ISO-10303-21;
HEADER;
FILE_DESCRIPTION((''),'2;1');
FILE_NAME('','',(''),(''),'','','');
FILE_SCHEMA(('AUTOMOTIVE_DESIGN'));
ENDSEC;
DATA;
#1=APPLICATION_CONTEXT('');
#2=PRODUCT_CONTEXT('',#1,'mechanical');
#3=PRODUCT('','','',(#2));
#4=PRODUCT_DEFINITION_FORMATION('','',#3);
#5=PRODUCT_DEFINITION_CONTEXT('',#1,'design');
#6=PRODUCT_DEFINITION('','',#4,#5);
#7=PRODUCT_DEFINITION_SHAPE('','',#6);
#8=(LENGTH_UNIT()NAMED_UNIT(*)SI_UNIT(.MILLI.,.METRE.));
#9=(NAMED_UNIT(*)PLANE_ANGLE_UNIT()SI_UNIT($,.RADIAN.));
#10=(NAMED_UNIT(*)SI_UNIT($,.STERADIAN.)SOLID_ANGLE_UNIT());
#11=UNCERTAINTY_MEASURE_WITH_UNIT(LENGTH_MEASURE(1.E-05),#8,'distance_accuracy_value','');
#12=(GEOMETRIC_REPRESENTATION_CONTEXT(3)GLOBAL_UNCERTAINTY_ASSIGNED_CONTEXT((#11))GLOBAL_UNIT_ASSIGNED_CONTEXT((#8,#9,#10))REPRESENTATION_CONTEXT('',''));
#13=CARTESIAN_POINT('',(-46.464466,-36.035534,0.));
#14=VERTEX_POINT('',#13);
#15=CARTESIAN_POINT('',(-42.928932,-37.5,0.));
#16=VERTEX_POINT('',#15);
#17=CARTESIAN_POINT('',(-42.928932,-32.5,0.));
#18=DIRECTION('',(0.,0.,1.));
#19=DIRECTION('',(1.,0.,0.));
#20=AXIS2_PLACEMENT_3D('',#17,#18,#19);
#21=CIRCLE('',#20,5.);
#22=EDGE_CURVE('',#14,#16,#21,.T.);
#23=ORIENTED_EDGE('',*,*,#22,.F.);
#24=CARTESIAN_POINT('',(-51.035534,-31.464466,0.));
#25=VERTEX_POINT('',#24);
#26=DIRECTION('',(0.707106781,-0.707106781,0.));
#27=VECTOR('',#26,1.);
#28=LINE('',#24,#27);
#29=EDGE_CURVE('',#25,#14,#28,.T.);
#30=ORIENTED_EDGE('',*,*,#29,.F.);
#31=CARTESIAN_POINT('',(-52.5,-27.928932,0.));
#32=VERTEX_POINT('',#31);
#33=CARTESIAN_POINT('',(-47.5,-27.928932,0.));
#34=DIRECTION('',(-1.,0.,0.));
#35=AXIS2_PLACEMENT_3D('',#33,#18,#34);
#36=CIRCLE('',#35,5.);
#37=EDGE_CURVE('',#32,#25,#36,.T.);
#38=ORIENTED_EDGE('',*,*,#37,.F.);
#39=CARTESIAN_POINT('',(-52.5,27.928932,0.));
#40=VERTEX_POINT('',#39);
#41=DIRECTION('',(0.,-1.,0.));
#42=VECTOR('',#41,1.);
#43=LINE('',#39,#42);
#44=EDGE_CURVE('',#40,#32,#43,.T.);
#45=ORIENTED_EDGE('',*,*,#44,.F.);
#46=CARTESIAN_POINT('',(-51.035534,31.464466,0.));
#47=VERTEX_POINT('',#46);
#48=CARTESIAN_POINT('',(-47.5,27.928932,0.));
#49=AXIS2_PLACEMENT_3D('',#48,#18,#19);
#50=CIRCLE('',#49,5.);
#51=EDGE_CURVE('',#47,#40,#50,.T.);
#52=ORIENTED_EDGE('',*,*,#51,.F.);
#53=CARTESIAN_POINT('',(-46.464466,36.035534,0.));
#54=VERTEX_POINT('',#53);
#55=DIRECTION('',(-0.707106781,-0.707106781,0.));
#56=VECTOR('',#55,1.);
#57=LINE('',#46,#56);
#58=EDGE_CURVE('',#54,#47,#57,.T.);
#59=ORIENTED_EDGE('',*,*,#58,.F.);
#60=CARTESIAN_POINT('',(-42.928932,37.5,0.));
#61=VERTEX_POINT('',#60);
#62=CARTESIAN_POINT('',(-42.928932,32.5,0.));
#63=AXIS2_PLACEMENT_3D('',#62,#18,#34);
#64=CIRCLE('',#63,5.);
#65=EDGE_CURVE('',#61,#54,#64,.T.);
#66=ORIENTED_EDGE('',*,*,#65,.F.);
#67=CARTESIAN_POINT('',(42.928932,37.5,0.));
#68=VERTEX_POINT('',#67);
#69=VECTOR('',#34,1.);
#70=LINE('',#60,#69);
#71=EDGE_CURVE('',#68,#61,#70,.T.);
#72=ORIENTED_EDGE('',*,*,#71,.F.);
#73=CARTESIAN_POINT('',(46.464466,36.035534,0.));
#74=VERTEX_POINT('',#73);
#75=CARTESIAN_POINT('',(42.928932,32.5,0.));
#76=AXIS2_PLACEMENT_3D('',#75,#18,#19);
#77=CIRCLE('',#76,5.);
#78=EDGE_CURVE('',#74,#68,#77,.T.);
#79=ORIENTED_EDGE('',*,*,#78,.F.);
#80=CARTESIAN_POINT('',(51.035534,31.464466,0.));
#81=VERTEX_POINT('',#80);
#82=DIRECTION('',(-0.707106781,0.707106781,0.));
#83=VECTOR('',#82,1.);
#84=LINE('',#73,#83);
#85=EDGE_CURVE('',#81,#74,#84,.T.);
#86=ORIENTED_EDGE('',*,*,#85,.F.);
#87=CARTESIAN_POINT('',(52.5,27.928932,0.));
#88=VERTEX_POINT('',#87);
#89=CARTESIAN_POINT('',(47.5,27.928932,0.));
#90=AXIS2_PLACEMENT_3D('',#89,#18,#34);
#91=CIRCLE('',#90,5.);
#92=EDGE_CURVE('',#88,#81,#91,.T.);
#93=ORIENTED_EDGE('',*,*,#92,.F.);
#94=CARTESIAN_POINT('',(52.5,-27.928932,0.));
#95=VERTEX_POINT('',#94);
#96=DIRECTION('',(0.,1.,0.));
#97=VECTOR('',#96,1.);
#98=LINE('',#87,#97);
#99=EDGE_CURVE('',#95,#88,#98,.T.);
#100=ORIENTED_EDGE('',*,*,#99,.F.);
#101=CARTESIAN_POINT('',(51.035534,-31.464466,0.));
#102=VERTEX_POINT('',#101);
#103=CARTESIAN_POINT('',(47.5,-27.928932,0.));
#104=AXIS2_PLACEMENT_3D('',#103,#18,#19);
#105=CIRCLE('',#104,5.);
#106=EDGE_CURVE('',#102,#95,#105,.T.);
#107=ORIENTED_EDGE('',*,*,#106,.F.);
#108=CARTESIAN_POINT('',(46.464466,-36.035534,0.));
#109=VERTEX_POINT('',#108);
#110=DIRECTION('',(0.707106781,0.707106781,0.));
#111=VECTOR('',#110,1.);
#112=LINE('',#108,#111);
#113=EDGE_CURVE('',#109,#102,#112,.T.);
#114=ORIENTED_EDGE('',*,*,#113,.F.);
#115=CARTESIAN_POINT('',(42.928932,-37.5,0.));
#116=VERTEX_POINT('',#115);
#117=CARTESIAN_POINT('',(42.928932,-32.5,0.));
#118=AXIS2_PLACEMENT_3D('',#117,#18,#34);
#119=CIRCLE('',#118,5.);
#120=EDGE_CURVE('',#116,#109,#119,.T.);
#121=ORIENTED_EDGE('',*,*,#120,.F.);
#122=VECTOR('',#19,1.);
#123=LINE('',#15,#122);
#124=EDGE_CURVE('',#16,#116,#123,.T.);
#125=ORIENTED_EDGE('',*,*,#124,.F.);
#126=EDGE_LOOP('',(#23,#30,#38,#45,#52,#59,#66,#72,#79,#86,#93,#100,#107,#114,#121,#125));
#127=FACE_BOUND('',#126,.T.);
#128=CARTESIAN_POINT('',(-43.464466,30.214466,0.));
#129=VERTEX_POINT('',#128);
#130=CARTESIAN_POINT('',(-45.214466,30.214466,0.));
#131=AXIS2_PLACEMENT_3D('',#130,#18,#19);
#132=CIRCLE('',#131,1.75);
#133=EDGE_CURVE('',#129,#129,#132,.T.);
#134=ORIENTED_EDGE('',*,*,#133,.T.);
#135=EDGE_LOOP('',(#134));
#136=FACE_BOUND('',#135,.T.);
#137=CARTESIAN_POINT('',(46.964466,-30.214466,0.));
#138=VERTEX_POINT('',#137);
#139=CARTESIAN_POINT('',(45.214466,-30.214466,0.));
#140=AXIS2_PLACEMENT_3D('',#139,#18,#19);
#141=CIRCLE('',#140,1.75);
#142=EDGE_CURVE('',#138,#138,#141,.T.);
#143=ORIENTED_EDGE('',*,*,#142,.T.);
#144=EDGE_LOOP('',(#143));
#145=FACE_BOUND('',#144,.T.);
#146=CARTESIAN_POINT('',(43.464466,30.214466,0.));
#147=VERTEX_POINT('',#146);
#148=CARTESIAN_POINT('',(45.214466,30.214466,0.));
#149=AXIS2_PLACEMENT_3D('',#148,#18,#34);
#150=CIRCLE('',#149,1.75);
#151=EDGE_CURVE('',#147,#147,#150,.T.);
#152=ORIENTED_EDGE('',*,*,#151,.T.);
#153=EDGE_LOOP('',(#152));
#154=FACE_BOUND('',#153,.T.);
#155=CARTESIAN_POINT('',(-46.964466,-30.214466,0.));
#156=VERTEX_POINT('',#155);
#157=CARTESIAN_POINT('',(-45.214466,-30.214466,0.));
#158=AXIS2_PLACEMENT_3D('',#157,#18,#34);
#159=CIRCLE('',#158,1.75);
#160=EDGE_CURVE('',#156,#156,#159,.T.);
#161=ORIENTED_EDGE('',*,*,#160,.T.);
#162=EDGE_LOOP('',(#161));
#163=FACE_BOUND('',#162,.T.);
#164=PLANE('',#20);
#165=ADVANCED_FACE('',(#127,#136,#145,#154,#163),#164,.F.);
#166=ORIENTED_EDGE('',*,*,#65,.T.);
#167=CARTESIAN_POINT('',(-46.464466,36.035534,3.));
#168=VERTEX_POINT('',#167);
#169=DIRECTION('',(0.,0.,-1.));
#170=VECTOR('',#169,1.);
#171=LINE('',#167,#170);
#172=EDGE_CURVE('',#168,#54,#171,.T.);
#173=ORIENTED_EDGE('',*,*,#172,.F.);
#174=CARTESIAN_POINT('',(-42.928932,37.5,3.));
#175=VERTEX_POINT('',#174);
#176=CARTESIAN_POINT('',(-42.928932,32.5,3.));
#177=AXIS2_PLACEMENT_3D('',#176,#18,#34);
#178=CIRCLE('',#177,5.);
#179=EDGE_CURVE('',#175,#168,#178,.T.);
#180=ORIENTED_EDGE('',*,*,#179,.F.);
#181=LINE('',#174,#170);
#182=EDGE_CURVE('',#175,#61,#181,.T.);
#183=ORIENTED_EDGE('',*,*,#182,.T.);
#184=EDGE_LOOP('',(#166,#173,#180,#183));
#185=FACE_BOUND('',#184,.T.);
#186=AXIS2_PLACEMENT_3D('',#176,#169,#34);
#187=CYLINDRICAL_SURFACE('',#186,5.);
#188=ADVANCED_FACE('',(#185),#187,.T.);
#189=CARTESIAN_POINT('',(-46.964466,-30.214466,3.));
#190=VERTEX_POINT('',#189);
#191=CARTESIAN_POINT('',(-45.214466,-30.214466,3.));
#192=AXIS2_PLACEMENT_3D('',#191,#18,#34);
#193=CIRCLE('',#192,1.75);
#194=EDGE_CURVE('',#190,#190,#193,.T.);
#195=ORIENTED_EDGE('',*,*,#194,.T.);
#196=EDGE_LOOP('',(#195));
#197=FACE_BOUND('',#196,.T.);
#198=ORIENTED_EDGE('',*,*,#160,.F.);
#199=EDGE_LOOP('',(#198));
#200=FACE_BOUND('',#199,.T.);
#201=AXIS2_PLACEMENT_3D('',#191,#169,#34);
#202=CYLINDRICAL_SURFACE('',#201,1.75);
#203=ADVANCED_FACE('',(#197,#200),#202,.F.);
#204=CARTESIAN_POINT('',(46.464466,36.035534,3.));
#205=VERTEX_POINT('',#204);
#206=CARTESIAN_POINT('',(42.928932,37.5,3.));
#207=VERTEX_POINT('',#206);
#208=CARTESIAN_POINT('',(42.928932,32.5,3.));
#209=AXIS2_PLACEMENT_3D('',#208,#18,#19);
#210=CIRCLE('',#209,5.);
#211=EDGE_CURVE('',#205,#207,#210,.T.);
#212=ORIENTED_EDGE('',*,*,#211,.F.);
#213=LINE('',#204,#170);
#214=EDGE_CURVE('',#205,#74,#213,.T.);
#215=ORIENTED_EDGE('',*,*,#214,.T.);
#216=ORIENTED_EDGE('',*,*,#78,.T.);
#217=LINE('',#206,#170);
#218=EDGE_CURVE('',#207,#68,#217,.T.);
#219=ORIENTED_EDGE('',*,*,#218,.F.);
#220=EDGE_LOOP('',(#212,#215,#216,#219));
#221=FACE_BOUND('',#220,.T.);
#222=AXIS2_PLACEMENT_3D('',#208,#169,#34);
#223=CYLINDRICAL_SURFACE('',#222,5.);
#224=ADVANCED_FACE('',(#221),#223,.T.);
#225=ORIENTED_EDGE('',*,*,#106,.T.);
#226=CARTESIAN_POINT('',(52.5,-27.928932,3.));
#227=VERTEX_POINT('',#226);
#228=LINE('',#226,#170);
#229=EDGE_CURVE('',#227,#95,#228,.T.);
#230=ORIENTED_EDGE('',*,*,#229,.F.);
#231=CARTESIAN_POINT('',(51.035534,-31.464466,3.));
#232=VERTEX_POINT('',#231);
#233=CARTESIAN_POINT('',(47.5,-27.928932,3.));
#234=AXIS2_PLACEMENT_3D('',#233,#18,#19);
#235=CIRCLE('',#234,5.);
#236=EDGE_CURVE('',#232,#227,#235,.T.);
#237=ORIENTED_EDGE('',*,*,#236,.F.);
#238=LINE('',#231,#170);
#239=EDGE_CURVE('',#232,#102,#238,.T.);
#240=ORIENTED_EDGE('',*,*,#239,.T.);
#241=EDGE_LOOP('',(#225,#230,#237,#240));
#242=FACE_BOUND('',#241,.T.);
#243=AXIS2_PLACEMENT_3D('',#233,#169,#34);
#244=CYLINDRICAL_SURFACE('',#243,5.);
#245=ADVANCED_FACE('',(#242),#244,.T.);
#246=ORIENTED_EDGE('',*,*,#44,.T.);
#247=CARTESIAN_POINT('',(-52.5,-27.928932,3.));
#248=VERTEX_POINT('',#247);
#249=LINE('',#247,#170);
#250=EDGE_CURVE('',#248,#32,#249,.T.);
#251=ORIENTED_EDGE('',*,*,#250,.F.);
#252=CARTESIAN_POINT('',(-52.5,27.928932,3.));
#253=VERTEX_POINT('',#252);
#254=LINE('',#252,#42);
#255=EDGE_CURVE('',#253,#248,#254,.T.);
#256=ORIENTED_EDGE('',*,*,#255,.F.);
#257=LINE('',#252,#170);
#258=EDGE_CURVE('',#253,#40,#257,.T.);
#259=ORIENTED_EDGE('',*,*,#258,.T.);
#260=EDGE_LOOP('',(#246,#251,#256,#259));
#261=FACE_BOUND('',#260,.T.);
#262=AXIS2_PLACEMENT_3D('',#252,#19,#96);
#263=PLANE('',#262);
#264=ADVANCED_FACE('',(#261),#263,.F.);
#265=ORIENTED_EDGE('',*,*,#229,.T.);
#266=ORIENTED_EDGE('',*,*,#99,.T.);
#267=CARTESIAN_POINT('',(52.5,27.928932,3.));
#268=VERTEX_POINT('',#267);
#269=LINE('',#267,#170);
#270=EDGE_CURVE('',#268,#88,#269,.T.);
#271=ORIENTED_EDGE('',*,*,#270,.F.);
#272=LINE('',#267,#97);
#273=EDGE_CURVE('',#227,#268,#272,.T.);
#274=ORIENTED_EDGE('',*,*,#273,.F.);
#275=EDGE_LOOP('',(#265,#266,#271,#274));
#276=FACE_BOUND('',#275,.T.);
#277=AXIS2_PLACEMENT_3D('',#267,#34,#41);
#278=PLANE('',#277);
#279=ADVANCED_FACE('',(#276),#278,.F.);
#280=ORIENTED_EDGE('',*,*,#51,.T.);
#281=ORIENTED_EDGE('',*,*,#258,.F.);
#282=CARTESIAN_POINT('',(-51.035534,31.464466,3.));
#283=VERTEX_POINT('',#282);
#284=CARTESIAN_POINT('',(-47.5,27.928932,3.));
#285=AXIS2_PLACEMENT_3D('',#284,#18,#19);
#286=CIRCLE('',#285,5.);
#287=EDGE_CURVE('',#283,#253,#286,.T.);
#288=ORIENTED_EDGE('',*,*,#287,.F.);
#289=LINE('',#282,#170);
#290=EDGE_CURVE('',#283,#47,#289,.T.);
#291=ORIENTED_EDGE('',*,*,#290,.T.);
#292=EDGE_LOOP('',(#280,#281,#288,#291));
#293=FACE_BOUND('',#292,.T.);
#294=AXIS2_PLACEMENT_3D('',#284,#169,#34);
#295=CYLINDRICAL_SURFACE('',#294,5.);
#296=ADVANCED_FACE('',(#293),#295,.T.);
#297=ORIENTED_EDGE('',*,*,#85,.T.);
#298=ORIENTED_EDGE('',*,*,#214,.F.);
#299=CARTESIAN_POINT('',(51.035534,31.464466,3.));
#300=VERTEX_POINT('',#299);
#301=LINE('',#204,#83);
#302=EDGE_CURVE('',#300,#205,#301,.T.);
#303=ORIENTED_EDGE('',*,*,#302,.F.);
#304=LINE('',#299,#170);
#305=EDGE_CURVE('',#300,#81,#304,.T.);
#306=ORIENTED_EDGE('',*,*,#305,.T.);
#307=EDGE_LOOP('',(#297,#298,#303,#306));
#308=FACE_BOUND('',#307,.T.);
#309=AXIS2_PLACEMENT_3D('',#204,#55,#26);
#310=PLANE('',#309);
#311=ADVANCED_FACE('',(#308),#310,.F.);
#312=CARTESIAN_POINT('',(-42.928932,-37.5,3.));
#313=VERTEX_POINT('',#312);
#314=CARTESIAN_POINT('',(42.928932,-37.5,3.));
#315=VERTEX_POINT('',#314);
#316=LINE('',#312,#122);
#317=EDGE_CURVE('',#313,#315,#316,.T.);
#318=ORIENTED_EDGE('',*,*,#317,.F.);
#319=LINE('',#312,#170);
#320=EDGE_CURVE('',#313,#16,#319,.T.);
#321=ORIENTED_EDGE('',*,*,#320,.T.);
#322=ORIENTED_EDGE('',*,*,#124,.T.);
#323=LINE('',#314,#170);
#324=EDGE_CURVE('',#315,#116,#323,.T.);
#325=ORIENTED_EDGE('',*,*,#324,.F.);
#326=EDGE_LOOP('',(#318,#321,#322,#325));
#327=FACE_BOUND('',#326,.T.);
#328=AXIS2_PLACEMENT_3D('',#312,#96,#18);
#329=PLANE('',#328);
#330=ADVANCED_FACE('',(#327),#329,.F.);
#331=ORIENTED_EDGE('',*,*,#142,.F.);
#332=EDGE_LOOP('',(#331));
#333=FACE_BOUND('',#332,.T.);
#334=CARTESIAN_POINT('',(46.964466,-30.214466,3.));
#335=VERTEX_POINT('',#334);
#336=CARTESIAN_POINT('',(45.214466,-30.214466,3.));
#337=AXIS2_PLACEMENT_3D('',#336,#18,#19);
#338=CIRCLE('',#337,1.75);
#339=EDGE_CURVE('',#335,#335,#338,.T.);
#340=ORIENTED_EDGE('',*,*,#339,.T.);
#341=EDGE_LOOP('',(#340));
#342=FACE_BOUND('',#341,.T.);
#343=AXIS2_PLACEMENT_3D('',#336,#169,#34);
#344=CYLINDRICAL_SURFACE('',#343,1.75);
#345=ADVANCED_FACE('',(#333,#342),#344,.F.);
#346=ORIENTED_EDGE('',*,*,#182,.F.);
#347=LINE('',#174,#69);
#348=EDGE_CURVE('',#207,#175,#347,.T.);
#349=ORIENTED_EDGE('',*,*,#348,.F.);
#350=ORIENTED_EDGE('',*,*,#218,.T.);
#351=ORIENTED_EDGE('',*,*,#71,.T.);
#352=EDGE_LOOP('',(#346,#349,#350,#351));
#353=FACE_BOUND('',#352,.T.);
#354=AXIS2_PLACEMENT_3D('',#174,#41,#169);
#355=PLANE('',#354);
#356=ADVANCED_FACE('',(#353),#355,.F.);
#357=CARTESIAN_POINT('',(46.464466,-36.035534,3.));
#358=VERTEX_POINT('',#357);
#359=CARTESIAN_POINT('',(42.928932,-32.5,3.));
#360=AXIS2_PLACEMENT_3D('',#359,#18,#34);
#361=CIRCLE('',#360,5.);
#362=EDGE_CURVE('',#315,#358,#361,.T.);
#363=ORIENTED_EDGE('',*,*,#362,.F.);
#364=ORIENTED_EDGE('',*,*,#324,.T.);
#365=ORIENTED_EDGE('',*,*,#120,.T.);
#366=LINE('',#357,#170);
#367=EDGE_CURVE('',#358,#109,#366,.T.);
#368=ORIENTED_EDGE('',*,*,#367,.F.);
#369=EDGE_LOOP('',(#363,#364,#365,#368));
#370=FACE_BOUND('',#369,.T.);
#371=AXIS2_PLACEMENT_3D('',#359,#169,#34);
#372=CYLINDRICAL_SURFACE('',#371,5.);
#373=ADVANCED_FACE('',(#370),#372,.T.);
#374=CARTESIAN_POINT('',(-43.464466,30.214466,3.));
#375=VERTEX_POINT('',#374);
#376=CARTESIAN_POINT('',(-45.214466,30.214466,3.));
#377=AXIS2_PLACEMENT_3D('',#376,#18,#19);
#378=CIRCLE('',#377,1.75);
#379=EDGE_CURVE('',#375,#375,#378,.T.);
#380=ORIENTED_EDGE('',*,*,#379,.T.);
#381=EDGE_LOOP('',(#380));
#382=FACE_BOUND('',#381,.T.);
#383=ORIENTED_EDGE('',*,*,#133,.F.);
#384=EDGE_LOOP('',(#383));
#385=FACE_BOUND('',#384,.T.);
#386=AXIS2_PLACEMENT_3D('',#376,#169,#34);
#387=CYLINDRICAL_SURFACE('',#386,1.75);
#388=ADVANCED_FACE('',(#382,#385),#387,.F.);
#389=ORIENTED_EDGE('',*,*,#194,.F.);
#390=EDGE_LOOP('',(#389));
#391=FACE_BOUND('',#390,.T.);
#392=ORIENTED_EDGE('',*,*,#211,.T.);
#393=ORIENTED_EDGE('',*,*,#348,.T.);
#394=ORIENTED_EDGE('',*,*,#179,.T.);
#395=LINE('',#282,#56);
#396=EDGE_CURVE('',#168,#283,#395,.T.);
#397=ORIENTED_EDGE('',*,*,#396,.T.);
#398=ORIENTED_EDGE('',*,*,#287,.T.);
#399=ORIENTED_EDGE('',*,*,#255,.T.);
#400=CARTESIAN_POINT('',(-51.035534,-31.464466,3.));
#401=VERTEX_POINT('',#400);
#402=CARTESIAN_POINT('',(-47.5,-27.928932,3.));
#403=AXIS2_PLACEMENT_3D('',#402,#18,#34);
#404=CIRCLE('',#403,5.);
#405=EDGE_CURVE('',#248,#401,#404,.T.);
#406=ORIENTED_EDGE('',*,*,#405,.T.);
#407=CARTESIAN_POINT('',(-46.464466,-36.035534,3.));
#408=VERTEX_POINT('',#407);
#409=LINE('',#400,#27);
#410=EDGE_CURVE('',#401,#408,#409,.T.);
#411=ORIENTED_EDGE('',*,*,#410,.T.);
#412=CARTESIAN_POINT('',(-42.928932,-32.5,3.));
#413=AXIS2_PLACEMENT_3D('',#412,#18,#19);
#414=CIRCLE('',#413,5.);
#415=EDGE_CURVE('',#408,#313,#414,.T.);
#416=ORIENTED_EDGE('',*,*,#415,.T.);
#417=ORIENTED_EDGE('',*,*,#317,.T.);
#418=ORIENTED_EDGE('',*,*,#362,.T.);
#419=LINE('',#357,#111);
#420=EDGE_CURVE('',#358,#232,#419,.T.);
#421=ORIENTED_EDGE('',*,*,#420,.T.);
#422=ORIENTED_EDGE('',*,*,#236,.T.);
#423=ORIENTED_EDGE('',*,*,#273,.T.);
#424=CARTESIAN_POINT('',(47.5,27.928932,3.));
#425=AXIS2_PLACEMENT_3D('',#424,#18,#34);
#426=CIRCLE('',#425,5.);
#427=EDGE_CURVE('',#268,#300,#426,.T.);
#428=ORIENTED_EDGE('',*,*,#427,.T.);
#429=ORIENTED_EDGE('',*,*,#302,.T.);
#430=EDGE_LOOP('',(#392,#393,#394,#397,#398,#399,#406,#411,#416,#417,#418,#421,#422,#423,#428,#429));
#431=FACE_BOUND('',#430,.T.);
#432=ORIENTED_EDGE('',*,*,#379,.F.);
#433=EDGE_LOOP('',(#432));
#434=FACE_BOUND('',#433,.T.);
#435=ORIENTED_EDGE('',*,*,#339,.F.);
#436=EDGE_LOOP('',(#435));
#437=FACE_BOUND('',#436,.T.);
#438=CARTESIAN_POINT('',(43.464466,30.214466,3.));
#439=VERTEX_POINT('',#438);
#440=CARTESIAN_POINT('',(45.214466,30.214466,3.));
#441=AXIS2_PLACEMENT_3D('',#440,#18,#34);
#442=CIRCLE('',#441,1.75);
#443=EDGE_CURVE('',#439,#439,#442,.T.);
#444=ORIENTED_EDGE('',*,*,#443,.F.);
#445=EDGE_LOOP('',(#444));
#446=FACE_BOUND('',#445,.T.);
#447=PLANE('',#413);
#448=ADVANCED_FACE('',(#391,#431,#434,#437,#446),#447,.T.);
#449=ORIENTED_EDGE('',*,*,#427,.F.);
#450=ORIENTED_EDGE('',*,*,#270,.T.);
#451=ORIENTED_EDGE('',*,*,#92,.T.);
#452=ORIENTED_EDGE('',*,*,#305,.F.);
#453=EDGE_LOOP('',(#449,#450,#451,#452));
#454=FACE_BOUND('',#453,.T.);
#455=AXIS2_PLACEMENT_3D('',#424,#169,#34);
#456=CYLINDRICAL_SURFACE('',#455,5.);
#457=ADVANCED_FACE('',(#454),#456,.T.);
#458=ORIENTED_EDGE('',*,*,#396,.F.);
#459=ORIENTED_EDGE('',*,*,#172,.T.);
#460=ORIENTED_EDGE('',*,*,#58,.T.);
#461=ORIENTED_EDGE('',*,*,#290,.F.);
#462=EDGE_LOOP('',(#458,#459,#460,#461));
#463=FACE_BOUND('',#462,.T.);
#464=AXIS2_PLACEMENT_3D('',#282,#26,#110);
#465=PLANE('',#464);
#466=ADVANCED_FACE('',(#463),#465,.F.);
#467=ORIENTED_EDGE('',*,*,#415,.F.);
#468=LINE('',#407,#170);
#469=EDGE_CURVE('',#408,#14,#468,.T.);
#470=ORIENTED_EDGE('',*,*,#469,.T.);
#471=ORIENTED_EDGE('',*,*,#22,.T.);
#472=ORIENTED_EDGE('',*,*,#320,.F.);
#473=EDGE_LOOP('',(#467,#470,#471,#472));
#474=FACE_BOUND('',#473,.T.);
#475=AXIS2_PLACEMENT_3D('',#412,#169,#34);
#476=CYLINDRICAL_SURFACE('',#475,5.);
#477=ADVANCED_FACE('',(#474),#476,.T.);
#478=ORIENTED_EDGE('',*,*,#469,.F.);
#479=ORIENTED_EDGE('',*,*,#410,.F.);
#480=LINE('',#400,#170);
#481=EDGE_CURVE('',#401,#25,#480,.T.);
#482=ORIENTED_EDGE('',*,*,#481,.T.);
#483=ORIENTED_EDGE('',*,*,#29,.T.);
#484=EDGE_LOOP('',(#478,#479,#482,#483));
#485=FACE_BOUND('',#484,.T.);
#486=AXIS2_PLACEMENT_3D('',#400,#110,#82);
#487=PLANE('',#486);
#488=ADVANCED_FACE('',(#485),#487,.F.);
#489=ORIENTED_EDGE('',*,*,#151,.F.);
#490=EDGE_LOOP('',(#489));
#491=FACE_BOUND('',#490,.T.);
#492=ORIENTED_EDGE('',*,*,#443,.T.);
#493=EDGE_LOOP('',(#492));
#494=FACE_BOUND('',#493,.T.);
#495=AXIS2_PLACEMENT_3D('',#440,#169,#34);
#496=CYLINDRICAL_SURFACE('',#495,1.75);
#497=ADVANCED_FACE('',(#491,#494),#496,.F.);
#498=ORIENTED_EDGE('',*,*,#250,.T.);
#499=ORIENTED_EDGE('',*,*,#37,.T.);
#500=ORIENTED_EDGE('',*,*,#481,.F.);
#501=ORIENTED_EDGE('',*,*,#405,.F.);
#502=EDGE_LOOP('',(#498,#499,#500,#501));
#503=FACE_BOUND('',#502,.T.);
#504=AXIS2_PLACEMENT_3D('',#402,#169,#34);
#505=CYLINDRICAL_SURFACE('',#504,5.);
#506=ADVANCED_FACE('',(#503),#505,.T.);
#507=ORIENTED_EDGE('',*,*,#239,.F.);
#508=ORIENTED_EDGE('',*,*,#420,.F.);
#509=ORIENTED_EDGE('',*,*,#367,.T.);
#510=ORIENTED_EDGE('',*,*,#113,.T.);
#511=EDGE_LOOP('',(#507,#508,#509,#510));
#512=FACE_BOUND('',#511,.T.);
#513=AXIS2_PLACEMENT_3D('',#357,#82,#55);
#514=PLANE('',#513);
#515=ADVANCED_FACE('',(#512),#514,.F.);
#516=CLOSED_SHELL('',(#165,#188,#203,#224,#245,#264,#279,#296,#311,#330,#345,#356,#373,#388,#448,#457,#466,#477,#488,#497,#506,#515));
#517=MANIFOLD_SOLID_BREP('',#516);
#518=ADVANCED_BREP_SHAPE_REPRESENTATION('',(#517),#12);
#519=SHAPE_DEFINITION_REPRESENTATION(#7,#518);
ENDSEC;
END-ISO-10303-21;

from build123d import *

# Parameters (mm, degrees)
SKETCH_1_R      = 1.75
EXTRUDE_1_DEPTH = 3


with BuildPart() as part:
    # Эскиз1 → Бобышка-Вытянуть1 (new body)
    with BuildSketch(Plane.XY):
        with BuildLine():
            Line((-51.035533906, 31.464466094), (-46.464466094, 36.035533906))
            ThreePointArc((-46.464466094, 36.035533906), (-44.84234935, 37.119397663), (-42.928932188, 37.5))
            Line((-42.928932188, 37.5), (42.928932188, 37.5))
            ThreePointArc((42.928932188, 37.5), (44.84234935, 37.119397663), (46.464466094, 36.035533906))
            Line((46.464466094, 36.035533906), (51.035533906, 31.464466094))
            ThreePointArc((51.035533906, 31.464466094), (52.119397663, 29.84234935), (52.5, 27.928932188))
            Line((52.5, 27.928932188), (52.5, -27.928932188))
            ThreePointArc((52.5, -27.928932188), (52.119397663, -29.84234935), (51.035533906, -31.464466094))
            Line((51.035533906, -31.464466094), (46.464466094, -36.035533906))
            ThreePointArc((46.464466094, -36.035533906), (44.84234935, -37.119397663), (42.928932188, -37.5))
            Line((42.928932188, -37.5), (-42.928932188, -37.5))
            ThreePointArc((-42.928932188, -37.5), (-44.84234935, -37.119397663), (-46.464466094, -36.035533906))
            Line((-46.464466094, -36.035533906), (-51.035533906, -31.464466094))
            ThreePointArc((-51.035533906, -31.464466094), (-52.119397663, -29.84234935), (-52.5, -27.928932188))
            Line((-52.5, -27.928932188), (-52.5, 27.928932188))
            ThreePointArc((-52.5, 27.928932188), (-52.119397663, 29.84234935), (-51.035533906, 31.464466094))
        make_face()
        with Locations((-45.214466094, 30.214466094)):
            Circle(SKETCH_1_R, mode=Mode.SUBTRACT)
        with Locations(Location((-45.214466094, -30.214466094, 0), (0, 0, 180))):
            Circle(SKETCH_1_R, mode=Mode.SUBTRACT)
        with Locations((45.214466094, -30.214466094)):
            Circle(SKETCH_1_R, mode=Mode.SUBTRACT)
        with Locations(Location((45.214466094, 30.214466094, 0), (0, 0, 180))):
            Circle(SKETCH_1_R, mode=Mode.SUBTRACT)
    extrude(amount=EXTRUDE_1_DEPTH)


solid = part.part
